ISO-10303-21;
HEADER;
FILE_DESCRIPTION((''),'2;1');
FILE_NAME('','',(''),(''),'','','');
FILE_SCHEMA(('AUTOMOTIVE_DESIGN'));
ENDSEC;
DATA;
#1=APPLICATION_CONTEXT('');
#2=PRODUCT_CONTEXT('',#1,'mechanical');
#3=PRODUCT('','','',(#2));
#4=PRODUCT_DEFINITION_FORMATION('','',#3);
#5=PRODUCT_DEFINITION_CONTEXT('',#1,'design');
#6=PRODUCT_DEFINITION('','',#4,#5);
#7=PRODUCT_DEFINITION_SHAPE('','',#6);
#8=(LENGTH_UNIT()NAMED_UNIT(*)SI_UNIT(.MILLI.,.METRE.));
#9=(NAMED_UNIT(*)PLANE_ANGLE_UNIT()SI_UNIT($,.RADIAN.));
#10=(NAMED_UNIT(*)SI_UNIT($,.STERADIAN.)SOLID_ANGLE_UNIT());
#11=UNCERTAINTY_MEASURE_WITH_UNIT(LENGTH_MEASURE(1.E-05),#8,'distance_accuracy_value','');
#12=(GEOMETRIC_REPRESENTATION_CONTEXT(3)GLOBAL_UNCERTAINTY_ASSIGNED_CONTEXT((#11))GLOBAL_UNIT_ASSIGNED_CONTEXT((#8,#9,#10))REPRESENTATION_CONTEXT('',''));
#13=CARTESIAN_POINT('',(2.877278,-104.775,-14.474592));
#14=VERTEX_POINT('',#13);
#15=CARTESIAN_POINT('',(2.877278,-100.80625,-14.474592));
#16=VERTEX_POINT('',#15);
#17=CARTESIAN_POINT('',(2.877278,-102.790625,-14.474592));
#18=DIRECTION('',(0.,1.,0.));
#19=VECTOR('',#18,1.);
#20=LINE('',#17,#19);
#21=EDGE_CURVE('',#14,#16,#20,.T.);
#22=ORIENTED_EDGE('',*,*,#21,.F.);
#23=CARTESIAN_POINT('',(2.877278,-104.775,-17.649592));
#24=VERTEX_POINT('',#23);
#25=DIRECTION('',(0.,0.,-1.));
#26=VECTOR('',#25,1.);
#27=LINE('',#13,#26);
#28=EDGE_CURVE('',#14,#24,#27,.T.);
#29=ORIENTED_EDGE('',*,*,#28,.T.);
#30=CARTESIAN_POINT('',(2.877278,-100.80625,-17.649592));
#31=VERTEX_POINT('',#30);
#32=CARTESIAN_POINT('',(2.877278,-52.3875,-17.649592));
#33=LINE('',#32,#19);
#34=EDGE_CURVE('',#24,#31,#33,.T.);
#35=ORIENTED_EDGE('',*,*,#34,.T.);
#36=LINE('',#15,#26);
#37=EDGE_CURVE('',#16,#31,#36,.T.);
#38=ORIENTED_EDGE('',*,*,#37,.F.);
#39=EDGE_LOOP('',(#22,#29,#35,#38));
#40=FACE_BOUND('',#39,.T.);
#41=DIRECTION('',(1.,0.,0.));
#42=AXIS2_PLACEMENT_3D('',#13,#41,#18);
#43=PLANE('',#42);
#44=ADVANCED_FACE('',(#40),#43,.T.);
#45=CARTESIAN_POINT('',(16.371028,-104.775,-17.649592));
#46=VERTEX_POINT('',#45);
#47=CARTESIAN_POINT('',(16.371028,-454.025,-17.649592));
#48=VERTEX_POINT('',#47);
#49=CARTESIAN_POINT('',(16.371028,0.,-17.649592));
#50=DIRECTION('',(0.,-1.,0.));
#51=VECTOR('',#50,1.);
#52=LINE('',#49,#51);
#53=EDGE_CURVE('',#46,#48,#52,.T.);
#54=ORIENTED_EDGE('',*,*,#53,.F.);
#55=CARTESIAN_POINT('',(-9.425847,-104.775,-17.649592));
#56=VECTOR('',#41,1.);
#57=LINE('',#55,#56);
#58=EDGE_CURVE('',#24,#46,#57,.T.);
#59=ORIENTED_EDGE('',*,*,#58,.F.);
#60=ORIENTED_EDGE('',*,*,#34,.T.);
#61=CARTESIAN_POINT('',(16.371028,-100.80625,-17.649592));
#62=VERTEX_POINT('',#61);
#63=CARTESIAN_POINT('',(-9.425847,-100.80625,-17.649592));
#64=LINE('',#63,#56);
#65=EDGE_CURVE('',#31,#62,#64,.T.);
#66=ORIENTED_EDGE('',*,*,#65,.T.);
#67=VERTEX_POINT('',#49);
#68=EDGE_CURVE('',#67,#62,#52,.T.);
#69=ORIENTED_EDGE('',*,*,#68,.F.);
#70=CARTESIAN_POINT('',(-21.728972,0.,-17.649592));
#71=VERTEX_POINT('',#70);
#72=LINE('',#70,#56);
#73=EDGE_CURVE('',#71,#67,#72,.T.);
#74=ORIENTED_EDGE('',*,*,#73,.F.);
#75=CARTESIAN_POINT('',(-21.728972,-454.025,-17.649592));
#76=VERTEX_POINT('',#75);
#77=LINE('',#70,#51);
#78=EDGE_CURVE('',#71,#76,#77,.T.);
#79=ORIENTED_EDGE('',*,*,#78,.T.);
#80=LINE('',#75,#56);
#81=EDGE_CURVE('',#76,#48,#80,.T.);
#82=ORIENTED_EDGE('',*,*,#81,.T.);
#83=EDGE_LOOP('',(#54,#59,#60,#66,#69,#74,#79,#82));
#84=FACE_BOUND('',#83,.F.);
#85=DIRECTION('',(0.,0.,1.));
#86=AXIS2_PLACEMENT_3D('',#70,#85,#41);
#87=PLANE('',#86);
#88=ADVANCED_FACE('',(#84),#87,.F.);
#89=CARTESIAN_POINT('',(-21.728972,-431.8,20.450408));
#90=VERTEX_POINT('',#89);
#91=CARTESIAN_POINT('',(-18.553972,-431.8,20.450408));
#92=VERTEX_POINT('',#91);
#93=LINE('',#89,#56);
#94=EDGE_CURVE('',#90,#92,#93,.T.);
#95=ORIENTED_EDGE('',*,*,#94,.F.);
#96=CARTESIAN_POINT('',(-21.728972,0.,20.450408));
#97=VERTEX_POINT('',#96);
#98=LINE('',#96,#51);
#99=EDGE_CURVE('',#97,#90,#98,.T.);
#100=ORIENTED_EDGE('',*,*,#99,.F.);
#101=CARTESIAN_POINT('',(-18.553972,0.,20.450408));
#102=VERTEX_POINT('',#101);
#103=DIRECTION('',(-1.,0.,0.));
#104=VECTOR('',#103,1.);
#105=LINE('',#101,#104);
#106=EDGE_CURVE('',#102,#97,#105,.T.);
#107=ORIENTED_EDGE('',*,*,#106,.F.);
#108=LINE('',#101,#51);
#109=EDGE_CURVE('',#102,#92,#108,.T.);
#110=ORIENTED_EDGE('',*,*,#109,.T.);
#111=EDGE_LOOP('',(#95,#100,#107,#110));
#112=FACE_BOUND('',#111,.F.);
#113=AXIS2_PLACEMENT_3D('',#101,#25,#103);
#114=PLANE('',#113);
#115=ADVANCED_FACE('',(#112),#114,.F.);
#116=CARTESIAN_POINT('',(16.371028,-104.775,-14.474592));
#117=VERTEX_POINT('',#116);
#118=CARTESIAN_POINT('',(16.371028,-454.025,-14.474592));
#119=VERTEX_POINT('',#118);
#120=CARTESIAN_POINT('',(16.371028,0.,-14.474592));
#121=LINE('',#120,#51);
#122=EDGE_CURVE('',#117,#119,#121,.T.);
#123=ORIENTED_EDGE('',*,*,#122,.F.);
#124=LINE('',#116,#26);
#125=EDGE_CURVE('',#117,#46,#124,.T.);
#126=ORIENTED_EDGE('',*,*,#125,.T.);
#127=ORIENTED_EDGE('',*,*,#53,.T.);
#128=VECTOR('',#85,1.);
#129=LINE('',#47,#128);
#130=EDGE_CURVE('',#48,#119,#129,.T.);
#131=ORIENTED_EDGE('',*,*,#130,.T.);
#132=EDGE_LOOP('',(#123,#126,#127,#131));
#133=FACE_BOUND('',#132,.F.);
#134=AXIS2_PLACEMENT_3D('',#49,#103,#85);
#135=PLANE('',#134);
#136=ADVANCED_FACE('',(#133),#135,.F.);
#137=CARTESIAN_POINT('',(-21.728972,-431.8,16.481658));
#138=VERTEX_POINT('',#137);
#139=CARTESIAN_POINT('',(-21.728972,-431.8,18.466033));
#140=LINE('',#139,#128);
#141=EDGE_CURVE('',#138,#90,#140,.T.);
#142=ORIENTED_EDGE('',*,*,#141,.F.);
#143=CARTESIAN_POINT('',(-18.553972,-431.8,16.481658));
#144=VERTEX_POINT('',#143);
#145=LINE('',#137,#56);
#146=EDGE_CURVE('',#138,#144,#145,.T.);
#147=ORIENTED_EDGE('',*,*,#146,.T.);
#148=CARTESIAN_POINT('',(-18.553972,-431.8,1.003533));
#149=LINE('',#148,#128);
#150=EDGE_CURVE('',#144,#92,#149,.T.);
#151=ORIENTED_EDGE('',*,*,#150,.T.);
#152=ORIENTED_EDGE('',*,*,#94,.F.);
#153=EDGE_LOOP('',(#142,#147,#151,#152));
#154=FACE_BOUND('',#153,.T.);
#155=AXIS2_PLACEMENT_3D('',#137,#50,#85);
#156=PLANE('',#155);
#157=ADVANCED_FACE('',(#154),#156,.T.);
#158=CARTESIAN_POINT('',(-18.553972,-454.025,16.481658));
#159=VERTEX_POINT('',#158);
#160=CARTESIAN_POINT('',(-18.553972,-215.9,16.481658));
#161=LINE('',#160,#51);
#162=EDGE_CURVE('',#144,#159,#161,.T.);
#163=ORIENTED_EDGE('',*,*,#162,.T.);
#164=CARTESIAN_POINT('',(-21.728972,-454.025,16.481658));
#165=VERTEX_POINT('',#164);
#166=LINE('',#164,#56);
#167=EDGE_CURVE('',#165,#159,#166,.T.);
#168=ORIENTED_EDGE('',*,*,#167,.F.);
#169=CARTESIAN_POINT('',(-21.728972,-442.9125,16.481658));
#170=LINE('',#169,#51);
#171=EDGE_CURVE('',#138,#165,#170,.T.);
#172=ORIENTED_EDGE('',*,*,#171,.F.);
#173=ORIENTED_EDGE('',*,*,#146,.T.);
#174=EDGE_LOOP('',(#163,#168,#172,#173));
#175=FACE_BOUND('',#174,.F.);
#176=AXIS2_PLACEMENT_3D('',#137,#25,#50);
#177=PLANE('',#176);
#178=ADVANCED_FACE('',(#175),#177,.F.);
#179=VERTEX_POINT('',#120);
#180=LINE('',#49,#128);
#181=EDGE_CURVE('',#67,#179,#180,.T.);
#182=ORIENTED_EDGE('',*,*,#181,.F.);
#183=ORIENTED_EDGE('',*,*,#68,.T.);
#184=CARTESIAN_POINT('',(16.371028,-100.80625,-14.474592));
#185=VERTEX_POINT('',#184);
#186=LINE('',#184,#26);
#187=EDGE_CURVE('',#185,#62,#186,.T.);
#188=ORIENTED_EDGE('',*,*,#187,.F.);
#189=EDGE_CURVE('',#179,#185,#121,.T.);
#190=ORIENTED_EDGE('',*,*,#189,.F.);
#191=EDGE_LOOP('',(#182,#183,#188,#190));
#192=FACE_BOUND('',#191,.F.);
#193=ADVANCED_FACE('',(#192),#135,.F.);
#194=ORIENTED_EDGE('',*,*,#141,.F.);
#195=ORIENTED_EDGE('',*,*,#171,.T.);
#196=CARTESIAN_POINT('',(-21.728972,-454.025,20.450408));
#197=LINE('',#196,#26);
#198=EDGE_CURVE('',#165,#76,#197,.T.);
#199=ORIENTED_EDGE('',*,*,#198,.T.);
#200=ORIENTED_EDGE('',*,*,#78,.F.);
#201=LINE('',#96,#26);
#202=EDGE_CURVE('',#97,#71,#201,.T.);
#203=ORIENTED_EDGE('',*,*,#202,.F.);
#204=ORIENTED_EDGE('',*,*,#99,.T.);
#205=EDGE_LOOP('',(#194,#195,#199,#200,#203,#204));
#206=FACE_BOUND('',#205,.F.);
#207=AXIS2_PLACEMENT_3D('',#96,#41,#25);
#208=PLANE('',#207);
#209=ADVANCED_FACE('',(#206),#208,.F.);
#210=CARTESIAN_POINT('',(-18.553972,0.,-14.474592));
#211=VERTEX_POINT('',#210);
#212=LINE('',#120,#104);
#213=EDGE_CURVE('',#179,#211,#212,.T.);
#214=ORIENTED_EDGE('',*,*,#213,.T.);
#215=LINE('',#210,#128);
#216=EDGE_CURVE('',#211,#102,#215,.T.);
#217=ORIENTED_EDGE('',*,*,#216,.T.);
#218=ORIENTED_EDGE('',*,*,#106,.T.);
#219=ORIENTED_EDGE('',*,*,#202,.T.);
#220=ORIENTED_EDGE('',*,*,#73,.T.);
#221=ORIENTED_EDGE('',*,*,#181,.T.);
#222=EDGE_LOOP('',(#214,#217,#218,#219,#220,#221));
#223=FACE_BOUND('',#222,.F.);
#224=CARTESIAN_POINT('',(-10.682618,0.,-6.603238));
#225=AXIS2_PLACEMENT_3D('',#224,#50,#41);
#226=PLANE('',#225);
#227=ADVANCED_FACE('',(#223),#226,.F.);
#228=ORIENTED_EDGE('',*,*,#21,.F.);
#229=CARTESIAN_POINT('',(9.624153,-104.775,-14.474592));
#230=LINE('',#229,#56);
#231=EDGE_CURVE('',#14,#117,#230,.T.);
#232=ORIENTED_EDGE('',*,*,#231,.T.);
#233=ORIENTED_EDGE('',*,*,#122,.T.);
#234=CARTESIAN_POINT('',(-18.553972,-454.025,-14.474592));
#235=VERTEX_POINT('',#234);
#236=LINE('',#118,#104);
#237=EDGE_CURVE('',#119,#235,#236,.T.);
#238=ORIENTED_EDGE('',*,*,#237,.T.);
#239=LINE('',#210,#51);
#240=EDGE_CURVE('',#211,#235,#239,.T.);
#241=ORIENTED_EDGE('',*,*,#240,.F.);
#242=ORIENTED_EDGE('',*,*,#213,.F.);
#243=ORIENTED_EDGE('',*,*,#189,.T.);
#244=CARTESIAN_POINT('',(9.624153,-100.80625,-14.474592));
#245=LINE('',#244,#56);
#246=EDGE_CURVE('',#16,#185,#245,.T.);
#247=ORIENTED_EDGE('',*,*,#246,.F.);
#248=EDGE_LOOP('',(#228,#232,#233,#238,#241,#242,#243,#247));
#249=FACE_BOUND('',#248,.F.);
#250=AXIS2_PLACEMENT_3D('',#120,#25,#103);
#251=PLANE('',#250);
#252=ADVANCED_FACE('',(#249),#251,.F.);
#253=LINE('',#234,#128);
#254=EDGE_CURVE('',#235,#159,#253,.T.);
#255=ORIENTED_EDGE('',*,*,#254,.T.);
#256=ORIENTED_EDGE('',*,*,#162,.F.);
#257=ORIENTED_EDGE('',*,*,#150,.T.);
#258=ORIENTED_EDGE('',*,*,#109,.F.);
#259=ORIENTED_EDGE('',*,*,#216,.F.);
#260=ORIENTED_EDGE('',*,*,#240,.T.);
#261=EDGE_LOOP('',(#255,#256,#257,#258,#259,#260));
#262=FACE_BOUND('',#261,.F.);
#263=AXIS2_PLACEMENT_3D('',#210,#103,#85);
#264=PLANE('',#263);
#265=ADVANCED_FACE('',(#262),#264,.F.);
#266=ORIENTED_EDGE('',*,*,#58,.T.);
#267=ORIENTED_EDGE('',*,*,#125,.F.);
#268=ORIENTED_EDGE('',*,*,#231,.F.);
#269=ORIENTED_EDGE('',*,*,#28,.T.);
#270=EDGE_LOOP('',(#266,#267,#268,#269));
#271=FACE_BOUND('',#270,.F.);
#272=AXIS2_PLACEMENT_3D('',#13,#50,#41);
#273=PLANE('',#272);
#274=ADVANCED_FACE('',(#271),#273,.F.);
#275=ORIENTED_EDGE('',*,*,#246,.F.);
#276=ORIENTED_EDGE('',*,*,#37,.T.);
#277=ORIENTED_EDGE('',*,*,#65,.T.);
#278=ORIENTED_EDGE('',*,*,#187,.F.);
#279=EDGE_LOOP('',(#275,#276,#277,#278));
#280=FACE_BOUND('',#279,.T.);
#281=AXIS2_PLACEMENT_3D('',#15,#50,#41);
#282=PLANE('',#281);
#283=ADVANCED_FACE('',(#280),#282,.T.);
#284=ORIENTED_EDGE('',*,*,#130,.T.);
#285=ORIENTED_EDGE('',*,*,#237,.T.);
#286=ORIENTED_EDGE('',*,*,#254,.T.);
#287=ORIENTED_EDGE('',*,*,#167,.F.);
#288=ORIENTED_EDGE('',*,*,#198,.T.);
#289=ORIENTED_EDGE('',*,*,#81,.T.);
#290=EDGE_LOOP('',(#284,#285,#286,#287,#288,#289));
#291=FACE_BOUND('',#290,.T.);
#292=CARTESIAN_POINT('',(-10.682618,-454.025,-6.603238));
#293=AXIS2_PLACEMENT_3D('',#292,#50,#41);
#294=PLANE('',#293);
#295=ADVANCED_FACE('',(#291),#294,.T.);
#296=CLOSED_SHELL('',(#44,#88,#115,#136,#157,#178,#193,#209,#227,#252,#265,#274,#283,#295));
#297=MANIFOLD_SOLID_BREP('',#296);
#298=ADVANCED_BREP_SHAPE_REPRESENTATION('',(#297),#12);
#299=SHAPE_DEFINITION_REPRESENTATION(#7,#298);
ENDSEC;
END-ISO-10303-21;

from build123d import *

# Parameters (mm, degrees)
F1_DEPTH = 454.025
F3_W     = 22.225
F3_H     = 3.96875
F4_DEPTH = 25.4
F5_W     = 13.49375
F5_H     = 3.96875
F6_DEPTH = 25.4


with BuildPart() as f1:
    # F0 (on Front) → F1 (new body)
    with BuildSketch(Plane.XZ):
        Polygon((-18.553972, 20.450408), (-21.728972, 20.450408), (-21.728972, -17.649592), (16.371028, -17.649592), (16.371028, -14.474592), (-18.553972, -14.474592), align=None)
    extrude(amount=F1_DEPTH)

    # F3 (on face) → F4 (cut)
    with BuildSketch(Plane(origin=(-21.728972, 0, 0), x_dir=(0, -1, 0), z_dir=(-1, 0, 0))):
        with Locations((442.9125, 18.466033)):
            Rectangle(F3_W, F3_H)
    extrude(amount=-F4_DEPTH, mode=Mode.SUBTRACT)

    # F5 (on face) → F6 (cut)
    with BuildSketch(Plane.XY.offset(-14.474592)):
        with Locations((9.624153, -102.790625)):
            Rectangle(F5_W, F5_H)
    extrude(amount=-F6_DEPTH, mode=Mode.SUBTRACT)


solid = f1.part
